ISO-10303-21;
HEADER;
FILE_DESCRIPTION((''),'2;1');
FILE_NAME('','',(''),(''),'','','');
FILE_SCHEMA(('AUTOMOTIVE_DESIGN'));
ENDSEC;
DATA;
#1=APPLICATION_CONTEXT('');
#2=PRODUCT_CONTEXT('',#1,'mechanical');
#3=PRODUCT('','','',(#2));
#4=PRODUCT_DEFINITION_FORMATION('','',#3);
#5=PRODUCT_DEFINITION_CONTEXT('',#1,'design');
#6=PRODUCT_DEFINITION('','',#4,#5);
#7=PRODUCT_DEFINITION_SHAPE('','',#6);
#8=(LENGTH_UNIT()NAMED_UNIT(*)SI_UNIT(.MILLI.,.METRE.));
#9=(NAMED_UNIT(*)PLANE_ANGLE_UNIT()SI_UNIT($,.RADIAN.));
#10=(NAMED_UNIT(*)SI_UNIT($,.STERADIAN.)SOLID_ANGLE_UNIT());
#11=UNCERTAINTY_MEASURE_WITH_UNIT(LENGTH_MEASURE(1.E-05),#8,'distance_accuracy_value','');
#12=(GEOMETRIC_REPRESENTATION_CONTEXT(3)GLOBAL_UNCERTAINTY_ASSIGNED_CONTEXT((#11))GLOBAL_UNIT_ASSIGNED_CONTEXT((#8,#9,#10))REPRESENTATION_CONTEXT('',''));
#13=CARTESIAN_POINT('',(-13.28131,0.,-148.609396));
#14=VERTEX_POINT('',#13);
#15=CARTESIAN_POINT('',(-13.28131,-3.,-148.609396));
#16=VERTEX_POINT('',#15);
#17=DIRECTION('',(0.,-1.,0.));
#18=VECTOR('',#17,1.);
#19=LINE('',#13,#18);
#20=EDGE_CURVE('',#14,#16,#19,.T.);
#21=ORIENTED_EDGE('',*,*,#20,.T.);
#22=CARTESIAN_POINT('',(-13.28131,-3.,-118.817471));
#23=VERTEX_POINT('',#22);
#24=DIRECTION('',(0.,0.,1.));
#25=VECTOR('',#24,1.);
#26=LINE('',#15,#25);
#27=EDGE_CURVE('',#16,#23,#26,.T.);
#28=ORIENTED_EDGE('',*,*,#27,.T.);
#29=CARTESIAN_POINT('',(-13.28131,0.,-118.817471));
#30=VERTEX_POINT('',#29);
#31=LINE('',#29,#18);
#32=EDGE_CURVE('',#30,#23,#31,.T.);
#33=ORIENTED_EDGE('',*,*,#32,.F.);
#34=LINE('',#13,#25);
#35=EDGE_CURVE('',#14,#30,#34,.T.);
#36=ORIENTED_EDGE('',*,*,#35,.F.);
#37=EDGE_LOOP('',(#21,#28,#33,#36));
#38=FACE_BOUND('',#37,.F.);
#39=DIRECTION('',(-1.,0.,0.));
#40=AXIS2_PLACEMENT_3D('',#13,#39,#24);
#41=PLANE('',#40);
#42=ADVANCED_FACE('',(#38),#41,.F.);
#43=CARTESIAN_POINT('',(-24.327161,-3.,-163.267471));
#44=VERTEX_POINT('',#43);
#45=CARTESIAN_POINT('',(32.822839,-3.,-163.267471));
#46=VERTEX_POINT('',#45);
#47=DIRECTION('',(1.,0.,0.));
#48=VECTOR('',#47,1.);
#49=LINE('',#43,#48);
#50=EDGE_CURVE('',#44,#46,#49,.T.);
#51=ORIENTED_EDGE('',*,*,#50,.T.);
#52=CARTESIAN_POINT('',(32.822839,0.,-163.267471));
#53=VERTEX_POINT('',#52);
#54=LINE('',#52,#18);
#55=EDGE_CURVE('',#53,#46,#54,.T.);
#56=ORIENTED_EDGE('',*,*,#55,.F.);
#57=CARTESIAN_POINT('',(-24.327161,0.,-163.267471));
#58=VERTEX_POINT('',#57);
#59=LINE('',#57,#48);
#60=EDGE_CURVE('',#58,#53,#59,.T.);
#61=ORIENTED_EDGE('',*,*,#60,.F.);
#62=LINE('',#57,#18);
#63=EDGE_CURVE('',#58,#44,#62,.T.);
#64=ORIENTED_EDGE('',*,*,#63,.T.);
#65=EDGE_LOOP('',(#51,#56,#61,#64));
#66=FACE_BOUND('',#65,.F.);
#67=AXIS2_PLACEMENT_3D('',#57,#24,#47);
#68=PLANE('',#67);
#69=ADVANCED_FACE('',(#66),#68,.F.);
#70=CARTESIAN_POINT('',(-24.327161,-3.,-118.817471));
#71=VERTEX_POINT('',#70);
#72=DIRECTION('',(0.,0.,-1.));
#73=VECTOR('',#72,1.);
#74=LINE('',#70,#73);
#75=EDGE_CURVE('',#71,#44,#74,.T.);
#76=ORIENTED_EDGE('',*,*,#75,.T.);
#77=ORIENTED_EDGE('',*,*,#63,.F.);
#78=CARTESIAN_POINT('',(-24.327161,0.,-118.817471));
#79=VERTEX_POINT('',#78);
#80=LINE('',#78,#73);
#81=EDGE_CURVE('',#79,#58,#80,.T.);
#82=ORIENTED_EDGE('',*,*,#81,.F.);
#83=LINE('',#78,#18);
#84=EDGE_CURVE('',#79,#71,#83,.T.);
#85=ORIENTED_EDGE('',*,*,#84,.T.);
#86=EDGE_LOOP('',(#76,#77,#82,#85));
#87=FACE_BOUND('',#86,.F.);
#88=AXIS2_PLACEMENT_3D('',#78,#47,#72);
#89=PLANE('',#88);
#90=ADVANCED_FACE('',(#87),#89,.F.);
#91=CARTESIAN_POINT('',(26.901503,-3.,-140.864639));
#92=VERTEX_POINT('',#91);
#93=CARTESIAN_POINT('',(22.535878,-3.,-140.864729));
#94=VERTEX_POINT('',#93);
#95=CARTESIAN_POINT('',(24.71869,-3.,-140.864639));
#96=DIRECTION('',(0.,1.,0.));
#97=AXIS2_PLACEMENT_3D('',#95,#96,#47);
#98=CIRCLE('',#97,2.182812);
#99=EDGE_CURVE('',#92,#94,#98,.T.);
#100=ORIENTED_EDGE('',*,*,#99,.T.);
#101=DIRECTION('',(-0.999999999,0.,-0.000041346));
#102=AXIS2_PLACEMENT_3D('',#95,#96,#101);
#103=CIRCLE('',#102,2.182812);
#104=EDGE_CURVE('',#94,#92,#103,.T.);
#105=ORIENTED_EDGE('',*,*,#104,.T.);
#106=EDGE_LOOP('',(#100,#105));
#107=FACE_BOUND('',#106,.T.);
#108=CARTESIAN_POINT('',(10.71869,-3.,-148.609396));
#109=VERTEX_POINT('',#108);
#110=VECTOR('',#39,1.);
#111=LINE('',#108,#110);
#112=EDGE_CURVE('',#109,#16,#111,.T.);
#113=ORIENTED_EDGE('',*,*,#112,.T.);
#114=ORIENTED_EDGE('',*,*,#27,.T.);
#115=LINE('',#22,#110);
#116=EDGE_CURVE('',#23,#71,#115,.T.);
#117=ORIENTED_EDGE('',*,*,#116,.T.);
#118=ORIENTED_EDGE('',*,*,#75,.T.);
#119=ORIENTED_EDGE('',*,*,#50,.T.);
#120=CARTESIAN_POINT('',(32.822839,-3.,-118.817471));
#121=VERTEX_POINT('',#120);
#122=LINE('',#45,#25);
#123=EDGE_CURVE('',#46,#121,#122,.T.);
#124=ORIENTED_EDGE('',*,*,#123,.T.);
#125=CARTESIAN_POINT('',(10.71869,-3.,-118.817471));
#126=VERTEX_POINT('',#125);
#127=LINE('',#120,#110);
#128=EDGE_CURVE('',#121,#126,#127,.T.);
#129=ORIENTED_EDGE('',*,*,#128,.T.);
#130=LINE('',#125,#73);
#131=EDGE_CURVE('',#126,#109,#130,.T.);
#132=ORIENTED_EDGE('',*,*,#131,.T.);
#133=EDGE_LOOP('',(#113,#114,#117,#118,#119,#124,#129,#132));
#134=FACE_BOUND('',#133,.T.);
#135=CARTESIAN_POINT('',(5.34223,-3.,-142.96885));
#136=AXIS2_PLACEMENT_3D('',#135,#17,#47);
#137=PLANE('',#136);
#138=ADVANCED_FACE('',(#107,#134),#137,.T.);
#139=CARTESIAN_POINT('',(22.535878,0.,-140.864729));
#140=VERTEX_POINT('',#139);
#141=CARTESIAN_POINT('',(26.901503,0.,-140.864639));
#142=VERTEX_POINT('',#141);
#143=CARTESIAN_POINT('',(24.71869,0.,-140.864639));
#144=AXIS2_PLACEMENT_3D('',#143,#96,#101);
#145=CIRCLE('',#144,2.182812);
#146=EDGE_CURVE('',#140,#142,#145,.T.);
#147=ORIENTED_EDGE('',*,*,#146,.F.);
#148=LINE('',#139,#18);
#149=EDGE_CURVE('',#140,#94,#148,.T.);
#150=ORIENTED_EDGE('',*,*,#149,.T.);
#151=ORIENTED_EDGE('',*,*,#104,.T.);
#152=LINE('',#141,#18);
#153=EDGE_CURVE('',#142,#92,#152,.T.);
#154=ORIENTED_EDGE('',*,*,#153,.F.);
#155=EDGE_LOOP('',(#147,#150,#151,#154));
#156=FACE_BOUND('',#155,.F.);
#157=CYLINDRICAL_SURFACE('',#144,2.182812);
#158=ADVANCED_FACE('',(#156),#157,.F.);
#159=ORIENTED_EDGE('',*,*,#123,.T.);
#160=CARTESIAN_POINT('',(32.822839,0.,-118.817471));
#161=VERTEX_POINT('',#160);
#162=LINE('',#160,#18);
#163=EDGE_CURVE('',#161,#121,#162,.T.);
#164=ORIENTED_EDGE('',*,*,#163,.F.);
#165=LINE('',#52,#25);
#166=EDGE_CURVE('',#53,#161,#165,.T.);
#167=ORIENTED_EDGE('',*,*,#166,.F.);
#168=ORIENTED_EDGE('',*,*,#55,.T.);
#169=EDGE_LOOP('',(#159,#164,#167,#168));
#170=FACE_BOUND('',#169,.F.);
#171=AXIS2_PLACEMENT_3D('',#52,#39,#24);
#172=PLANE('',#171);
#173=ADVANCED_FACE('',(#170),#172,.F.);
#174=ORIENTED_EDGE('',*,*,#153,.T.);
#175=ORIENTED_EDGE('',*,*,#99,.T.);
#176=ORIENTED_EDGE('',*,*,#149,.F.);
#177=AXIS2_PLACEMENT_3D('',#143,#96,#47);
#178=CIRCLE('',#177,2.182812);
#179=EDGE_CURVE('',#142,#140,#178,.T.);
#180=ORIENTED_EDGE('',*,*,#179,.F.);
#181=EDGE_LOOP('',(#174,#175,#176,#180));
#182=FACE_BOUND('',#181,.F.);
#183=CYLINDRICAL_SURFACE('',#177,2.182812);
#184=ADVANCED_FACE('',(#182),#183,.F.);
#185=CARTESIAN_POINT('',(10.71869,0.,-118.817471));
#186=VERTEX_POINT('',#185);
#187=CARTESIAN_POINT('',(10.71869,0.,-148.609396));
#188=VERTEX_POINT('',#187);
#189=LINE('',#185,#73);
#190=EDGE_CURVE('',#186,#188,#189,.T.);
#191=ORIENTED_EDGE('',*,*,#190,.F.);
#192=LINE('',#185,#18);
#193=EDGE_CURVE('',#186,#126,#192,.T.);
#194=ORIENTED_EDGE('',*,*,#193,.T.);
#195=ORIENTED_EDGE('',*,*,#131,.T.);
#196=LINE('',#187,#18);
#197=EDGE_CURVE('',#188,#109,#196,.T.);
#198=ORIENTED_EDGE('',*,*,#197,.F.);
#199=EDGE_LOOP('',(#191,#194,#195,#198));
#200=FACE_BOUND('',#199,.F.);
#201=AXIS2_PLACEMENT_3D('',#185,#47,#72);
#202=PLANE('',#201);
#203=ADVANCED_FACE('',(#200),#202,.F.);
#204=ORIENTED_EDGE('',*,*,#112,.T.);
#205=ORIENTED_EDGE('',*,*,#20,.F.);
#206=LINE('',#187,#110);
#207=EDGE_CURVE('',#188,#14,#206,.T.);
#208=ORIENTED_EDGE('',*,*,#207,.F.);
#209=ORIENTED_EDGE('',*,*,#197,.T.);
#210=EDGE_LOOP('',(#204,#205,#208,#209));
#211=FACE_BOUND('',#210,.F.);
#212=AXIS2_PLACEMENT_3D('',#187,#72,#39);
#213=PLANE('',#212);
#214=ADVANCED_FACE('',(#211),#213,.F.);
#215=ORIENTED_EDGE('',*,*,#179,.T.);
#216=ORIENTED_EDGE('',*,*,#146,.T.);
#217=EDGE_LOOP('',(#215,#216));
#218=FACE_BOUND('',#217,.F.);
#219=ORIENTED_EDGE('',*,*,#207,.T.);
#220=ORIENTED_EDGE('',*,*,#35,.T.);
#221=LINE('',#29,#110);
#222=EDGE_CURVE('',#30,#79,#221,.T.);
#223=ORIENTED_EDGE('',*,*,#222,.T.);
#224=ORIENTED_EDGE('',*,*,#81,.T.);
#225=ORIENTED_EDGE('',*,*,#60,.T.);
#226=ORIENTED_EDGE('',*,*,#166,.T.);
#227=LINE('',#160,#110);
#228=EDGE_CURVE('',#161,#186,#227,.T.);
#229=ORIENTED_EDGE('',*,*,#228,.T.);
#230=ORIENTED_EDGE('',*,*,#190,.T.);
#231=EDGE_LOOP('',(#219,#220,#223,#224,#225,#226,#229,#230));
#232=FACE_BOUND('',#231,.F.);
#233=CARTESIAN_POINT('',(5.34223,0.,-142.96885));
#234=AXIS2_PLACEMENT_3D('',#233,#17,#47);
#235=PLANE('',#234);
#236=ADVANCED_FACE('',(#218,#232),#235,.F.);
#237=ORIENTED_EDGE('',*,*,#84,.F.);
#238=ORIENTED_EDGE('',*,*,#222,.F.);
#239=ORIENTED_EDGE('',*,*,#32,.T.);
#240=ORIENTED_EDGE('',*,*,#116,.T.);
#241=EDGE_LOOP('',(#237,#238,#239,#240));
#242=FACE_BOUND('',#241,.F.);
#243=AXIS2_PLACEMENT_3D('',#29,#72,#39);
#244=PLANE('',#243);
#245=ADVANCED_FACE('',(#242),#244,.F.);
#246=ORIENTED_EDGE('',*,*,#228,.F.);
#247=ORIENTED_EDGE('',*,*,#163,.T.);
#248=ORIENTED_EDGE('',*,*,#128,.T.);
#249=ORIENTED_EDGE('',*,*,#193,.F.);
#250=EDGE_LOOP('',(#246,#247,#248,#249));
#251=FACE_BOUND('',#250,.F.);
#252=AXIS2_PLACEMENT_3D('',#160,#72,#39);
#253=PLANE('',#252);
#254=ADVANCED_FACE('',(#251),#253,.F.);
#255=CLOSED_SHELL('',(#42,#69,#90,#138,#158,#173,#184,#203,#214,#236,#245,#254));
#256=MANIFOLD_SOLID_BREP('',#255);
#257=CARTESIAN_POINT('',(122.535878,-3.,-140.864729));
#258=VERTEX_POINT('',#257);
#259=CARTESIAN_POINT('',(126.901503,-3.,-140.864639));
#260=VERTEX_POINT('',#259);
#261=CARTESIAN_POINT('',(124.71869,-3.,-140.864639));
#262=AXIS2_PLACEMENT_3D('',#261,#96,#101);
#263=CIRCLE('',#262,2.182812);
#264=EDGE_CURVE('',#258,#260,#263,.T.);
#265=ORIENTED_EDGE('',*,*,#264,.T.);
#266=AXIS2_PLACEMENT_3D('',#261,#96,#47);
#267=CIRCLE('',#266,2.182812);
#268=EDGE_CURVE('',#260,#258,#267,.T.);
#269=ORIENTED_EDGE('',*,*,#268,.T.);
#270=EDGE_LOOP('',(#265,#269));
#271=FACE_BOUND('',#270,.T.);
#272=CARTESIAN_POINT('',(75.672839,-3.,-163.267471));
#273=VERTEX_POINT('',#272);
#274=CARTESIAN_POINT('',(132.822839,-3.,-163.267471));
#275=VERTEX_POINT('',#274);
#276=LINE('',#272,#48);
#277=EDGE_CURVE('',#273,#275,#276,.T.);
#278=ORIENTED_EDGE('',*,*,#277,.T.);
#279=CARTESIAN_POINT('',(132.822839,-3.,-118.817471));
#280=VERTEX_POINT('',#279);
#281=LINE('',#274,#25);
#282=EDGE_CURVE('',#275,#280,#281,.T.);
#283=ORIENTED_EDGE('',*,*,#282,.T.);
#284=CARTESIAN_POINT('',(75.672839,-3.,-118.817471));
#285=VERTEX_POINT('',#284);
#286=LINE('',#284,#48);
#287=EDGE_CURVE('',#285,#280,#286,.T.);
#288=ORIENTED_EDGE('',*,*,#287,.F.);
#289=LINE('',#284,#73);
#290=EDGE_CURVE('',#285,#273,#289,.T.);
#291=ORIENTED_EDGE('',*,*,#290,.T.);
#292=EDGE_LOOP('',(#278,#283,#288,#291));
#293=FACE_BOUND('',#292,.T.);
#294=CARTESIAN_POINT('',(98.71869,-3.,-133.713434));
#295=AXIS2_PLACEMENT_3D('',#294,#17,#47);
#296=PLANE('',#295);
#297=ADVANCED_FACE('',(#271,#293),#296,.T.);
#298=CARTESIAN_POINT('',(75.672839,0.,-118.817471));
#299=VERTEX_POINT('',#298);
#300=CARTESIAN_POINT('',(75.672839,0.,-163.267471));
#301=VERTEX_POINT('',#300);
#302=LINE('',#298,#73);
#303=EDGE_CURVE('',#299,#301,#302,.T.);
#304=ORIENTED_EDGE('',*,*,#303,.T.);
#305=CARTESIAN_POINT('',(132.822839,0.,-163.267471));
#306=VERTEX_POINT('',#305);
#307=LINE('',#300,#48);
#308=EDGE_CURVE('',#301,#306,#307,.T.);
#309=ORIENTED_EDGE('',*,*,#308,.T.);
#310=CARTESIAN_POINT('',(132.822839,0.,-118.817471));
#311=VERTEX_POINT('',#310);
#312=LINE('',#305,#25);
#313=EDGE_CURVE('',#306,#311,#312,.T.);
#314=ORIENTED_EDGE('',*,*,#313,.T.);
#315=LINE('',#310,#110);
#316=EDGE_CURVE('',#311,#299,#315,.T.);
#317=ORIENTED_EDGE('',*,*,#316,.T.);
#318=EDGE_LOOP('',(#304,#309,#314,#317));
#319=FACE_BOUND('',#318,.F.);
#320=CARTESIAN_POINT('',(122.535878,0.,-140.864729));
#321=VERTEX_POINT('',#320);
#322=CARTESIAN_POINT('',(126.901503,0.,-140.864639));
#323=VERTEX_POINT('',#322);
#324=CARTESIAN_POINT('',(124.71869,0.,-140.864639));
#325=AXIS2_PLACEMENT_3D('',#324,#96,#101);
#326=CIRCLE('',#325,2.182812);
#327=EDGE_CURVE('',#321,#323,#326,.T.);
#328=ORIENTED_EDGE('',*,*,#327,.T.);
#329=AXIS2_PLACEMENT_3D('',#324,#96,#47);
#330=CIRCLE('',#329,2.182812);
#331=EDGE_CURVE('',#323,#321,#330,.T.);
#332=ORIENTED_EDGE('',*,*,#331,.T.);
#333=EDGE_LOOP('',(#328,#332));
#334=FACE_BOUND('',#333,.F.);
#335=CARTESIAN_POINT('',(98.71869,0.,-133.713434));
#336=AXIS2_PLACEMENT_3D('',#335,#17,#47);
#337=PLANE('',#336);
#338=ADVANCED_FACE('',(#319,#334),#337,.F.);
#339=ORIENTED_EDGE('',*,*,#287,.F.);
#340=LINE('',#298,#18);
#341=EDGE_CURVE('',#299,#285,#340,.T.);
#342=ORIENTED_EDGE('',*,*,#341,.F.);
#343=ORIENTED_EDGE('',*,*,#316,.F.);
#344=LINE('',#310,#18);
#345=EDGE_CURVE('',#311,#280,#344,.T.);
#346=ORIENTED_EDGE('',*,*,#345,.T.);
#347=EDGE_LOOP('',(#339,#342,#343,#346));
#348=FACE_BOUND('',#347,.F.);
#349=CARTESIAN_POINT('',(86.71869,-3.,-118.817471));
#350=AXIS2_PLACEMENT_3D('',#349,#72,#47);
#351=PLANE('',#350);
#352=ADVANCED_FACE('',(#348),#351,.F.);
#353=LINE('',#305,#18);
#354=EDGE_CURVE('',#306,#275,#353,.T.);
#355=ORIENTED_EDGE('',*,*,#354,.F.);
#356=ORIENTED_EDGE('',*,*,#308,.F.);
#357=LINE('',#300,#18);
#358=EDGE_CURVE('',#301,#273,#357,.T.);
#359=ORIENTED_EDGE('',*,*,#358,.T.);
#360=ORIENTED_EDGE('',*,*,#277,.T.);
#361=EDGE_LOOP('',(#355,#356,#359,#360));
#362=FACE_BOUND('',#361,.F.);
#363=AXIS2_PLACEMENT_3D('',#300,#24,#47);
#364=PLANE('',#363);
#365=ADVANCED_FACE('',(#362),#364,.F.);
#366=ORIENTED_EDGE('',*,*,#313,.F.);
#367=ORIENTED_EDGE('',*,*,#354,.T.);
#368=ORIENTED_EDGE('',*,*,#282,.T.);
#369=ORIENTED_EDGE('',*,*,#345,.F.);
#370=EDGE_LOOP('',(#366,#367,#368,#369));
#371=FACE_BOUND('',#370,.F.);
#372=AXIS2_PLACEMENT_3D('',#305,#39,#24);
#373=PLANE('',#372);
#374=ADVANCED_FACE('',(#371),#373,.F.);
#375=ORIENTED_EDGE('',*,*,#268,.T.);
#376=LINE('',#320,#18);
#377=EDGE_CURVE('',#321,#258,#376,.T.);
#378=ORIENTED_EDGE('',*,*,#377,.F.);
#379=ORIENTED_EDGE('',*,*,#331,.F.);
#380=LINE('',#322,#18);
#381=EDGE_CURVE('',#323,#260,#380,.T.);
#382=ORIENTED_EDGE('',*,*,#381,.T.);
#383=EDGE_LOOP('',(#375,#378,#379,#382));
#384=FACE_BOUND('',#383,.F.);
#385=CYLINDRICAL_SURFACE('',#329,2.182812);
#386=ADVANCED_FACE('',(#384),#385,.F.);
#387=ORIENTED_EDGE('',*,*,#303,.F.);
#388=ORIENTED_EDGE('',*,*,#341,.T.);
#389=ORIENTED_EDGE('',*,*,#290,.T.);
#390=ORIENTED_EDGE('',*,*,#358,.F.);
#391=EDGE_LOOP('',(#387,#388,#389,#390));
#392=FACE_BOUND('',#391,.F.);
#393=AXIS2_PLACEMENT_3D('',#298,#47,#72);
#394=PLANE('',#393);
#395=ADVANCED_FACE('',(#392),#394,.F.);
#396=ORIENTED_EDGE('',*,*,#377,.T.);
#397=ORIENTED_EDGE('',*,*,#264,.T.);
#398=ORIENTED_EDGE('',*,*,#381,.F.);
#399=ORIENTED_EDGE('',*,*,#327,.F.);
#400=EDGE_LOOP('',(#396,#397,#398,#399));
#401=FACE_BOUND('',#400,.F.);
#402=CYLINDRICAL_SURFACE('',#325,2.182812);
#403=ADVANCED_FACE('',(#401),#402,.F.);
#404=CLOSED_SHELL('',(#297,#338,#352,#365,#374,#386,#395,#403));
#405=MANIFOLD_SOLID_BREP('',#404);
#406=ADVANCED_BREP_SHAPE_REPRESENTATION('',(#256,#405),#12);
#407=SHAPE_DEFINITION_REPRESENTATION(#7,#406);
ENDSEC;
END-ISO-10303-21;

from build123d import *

# Parameters (mm, degrees)
F1_DEPTH = 3
F3_W     = 24
F3_H     = 29.7919254476
F4_DEPTH = 3


with BuildPart() as f1:
    # F0 (on Front) → F1 (new body)
    with BuildSketch(Plane.XZ):
        with BuildLine():
            Line((-13.2813095412, -118.8174709678), (-24.3271607906, -118.8174709678))
            Line((-24.3271607906, -118.8174709678), (-24.3271607906, -163.2674709678))
            Line((-24.3271607906, -163.2674709678), (32.8228392094, -163.2674709678))
            Line((32.8228392094, -163.2674709678), (32.8228392094, -118.8174709678))
            Line((32.8228392094, -118.8174709678), (10.7186904588, -118.8174709678))
            Line((10.7186904588, -118.8174709678), (10.7186904588, -124.8657141138))
            ThreePointArc((10.7186904588, -124.8657141138), (16.6070493723, -131.9210724004), (18.7186904417, -140.8648872041))
            ThreePointArc((18.7186904417, -140.8648872041), (24.7185664001, -134.8646391324), (30.7186904365, -140.8646391312))
            ThreePointArc((30.7186904365, -140.8646391312), (24.7192279278, -146.8646391071), (18.7186905328, -140.8657141137))
            ThreePointArc((18.7186904588, -140.8657141138), (-10.2255814512, -158.7542579338), (-13.2813095412, -124.8657141138))
            Line((-13.2813095412, -124.8657141138), (-13.2813095412, -118.8174709678))
        make_face()
        with BuildLine():
            Line((-13.2813095412, -148.6093964154), (-13.2813095412, -124.8657141138))
            ThreePointArc((-13.2813095412, -124.8657141138), (-10.2255814512, -158.7542579338), (18.7186904588, -140.8657141138))
            ThreePointArc((18.7186904588, -140.8657141138), (18.7186904545, -140.8653006589), (18.7186904417, -140.8648872041))
            Line((18.7186904417, -140.8648872041), (10.7186904588, -140.8652179679))
            Line((10.7186904588, -140.8652179679), (10.7186904588, -148.6093964154))
            Line((10.7186904588, -148.6093964154), (-13.2813095412, -148.6093964154))
        make_face()
        with BuildLine():
            ThreePointArc((18.7186904417, -140.8648872041), (16.6070493723, -131.9210724004), (10.7186904588, -124.8657141138))
            Line((10.7186904588, -124.8657141138), (10.7186904588, -140.8652179679))
            Line((10.7186904588, -140.8652179679), (18.7186904417, -140.8648872041))
        make_face()
        with BuildLine():
            ThreePointArc((18.7186904417, -140.8648872041), (18.7186904545, -140.8653006589), (18.7186904588, -140.8657141138))
            ThreePointArc((18.7186905328, -140.8657141137), (24.7192279278, -146.8646391071), (30.7186904365, -140.8646391312))
            ThreePointArc((30.7186904365, -140.8646391312), (24.7185664001, -134.8646391324), (18.7186904417, -140.8648872041))
        make_face()
        with BuildLine():
            ThreePointArc((26.9015029365, -140.8646391312), (24.7187355613, -143.0474516307), (22.5358779384, -140.8647293806))
            ThreePointArc((22.5358779384, -140.8647293806), (24.7186453118, -138.6818266316), (26.9015029365, -140.8646391312))
        make_face(mode=Mode.SUBTRACT)
    extrude(amount=F1_DEPTH)


with BuildPart() as f2_1:
    # F2: copy of F1
    add(f1.part.moved(Location((100, 0, 0))))

    # F3 (on face) → F4 (join)
    with BuildSketch(Plane.XZ.offset(3)):
        with Locations((98.7186904588, -133.7134336916)):
            Rectangle(F3_W, F3_H)
    extrude(amount=-F4_DEPTH)


solid = Compound([f1.part, f2_1.part])
